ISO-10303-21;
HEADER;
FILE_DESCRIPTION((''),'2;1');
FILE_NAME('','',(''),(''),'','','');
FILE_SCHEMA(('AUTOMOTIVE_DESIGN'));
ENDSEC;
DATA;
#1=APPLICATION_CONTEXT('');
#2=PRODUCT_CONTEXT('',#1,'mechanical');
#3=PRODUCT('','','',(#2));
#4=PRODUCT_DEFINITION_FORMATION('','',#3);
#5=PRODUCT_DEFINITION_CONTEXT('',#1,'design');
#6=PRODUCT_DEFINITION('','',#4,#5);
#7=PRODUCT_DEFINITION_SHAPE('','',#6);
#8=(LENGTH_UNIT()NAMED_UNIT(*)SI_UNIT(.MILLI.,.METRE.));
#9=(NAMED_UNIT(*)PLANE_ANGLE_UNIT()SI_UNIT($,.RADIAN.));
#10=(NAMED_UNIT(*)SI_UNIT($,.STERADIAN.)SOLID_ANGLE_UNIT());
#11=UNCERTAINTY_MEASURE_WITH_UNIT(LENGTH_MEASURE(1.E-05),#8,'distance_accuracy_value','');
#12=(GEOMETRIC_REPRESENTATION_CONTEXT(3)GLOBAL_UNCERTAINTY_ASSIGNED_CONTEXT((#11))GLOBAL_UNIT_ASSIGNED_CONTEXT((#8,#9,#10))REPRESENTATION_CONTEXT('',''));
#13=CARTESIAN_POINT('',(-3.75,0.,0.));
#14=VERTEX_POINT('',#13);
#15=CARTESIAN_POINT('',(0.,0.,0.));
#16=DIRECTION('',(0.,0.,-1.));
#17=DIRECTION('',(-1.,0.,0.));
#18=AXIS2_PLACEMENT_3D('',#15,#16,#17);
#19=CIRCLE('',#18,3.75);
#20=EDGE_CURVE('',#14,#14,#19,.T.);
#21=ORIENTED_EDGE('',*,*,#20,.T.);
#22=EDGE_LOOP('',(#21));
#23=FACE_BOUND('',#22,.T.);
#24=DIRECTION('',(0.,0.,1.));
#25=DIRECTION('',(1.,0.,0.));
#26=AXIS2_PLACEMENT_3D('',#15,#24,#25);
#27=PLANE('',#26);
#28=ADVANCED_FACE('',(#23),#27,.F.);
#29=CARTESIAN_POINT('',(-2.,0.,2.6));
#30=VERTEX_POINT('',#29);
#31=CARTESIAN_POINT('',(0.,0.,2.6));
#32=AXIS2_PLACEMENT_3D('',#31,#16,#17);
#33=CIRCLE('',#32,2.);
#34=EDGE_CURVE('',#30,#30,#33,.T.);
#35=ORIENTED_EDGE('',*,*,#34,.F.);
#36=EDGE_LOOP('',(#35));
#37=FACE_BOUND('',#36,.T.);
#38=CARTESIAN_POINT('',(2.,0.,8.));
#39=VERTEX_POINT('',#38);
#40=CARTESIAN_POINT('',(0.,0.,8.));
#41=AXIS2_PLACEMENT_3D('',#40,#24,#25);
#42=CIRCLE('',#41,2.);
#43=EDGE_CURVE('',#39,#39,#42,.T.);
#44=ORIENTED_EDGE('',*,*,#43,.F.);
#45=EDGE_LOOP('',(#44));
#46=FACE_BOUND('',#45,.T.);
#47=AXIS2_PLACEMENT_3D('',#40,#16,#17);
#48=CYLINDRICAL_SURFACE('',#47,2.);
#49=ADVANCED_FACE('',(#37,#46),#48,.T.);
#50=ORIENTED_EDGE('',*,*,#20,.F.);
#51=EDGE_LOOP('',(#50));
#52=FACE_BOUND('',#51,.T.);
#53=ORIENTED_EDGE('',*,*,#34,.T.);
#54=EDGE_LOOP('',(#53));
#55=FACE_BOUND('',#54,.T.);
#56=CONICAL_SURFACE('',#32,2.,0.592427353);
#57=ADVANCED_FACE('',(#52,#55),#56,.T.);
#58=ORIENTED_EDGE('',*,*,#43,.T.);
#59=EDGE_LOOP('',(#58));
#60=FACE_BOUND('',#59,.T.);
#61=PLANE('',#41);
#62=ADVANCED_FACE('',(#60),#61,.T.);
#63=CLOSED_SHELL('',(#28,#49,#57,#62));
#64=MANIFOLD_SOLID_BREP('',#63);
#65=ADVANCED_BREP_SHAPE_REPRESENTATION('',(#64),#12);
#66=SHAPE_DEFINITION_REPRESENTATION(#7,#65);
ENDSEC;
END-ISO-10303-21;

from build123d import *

# Parameters (mm, degrees)
SKETCH_1_R      = 2
EXTRUDE_1_DEPTH = 8


with BuildPart() as part:
    # 草图1 → 凸台-拉伸1 (new body)
    with BuildSketch(Plane.XY):
        Circle(SKETCH_1_R)
    extrude(amount=EXTRUDE_1_DEPTH)

    # 草图2 → 旋转1 (revolve)
    with BuildSketch(Plane(origin=(0, 0, 0), x_dir=(1, 0, 0), z_dir=(0, 1, 0)), mode=Mode.PRIVATE) as revolve_1_sk:
        Polygon((2, 0), (3.75, 0), (2, -2.6), align=None)
    revolve(revolve_1_sk.sketch.rotate(Axis((0, 0, 0), (0, 0, 1)), 180), axis=Axis((0, 0, 0), (0, 0, 1)))


solid = part.part
